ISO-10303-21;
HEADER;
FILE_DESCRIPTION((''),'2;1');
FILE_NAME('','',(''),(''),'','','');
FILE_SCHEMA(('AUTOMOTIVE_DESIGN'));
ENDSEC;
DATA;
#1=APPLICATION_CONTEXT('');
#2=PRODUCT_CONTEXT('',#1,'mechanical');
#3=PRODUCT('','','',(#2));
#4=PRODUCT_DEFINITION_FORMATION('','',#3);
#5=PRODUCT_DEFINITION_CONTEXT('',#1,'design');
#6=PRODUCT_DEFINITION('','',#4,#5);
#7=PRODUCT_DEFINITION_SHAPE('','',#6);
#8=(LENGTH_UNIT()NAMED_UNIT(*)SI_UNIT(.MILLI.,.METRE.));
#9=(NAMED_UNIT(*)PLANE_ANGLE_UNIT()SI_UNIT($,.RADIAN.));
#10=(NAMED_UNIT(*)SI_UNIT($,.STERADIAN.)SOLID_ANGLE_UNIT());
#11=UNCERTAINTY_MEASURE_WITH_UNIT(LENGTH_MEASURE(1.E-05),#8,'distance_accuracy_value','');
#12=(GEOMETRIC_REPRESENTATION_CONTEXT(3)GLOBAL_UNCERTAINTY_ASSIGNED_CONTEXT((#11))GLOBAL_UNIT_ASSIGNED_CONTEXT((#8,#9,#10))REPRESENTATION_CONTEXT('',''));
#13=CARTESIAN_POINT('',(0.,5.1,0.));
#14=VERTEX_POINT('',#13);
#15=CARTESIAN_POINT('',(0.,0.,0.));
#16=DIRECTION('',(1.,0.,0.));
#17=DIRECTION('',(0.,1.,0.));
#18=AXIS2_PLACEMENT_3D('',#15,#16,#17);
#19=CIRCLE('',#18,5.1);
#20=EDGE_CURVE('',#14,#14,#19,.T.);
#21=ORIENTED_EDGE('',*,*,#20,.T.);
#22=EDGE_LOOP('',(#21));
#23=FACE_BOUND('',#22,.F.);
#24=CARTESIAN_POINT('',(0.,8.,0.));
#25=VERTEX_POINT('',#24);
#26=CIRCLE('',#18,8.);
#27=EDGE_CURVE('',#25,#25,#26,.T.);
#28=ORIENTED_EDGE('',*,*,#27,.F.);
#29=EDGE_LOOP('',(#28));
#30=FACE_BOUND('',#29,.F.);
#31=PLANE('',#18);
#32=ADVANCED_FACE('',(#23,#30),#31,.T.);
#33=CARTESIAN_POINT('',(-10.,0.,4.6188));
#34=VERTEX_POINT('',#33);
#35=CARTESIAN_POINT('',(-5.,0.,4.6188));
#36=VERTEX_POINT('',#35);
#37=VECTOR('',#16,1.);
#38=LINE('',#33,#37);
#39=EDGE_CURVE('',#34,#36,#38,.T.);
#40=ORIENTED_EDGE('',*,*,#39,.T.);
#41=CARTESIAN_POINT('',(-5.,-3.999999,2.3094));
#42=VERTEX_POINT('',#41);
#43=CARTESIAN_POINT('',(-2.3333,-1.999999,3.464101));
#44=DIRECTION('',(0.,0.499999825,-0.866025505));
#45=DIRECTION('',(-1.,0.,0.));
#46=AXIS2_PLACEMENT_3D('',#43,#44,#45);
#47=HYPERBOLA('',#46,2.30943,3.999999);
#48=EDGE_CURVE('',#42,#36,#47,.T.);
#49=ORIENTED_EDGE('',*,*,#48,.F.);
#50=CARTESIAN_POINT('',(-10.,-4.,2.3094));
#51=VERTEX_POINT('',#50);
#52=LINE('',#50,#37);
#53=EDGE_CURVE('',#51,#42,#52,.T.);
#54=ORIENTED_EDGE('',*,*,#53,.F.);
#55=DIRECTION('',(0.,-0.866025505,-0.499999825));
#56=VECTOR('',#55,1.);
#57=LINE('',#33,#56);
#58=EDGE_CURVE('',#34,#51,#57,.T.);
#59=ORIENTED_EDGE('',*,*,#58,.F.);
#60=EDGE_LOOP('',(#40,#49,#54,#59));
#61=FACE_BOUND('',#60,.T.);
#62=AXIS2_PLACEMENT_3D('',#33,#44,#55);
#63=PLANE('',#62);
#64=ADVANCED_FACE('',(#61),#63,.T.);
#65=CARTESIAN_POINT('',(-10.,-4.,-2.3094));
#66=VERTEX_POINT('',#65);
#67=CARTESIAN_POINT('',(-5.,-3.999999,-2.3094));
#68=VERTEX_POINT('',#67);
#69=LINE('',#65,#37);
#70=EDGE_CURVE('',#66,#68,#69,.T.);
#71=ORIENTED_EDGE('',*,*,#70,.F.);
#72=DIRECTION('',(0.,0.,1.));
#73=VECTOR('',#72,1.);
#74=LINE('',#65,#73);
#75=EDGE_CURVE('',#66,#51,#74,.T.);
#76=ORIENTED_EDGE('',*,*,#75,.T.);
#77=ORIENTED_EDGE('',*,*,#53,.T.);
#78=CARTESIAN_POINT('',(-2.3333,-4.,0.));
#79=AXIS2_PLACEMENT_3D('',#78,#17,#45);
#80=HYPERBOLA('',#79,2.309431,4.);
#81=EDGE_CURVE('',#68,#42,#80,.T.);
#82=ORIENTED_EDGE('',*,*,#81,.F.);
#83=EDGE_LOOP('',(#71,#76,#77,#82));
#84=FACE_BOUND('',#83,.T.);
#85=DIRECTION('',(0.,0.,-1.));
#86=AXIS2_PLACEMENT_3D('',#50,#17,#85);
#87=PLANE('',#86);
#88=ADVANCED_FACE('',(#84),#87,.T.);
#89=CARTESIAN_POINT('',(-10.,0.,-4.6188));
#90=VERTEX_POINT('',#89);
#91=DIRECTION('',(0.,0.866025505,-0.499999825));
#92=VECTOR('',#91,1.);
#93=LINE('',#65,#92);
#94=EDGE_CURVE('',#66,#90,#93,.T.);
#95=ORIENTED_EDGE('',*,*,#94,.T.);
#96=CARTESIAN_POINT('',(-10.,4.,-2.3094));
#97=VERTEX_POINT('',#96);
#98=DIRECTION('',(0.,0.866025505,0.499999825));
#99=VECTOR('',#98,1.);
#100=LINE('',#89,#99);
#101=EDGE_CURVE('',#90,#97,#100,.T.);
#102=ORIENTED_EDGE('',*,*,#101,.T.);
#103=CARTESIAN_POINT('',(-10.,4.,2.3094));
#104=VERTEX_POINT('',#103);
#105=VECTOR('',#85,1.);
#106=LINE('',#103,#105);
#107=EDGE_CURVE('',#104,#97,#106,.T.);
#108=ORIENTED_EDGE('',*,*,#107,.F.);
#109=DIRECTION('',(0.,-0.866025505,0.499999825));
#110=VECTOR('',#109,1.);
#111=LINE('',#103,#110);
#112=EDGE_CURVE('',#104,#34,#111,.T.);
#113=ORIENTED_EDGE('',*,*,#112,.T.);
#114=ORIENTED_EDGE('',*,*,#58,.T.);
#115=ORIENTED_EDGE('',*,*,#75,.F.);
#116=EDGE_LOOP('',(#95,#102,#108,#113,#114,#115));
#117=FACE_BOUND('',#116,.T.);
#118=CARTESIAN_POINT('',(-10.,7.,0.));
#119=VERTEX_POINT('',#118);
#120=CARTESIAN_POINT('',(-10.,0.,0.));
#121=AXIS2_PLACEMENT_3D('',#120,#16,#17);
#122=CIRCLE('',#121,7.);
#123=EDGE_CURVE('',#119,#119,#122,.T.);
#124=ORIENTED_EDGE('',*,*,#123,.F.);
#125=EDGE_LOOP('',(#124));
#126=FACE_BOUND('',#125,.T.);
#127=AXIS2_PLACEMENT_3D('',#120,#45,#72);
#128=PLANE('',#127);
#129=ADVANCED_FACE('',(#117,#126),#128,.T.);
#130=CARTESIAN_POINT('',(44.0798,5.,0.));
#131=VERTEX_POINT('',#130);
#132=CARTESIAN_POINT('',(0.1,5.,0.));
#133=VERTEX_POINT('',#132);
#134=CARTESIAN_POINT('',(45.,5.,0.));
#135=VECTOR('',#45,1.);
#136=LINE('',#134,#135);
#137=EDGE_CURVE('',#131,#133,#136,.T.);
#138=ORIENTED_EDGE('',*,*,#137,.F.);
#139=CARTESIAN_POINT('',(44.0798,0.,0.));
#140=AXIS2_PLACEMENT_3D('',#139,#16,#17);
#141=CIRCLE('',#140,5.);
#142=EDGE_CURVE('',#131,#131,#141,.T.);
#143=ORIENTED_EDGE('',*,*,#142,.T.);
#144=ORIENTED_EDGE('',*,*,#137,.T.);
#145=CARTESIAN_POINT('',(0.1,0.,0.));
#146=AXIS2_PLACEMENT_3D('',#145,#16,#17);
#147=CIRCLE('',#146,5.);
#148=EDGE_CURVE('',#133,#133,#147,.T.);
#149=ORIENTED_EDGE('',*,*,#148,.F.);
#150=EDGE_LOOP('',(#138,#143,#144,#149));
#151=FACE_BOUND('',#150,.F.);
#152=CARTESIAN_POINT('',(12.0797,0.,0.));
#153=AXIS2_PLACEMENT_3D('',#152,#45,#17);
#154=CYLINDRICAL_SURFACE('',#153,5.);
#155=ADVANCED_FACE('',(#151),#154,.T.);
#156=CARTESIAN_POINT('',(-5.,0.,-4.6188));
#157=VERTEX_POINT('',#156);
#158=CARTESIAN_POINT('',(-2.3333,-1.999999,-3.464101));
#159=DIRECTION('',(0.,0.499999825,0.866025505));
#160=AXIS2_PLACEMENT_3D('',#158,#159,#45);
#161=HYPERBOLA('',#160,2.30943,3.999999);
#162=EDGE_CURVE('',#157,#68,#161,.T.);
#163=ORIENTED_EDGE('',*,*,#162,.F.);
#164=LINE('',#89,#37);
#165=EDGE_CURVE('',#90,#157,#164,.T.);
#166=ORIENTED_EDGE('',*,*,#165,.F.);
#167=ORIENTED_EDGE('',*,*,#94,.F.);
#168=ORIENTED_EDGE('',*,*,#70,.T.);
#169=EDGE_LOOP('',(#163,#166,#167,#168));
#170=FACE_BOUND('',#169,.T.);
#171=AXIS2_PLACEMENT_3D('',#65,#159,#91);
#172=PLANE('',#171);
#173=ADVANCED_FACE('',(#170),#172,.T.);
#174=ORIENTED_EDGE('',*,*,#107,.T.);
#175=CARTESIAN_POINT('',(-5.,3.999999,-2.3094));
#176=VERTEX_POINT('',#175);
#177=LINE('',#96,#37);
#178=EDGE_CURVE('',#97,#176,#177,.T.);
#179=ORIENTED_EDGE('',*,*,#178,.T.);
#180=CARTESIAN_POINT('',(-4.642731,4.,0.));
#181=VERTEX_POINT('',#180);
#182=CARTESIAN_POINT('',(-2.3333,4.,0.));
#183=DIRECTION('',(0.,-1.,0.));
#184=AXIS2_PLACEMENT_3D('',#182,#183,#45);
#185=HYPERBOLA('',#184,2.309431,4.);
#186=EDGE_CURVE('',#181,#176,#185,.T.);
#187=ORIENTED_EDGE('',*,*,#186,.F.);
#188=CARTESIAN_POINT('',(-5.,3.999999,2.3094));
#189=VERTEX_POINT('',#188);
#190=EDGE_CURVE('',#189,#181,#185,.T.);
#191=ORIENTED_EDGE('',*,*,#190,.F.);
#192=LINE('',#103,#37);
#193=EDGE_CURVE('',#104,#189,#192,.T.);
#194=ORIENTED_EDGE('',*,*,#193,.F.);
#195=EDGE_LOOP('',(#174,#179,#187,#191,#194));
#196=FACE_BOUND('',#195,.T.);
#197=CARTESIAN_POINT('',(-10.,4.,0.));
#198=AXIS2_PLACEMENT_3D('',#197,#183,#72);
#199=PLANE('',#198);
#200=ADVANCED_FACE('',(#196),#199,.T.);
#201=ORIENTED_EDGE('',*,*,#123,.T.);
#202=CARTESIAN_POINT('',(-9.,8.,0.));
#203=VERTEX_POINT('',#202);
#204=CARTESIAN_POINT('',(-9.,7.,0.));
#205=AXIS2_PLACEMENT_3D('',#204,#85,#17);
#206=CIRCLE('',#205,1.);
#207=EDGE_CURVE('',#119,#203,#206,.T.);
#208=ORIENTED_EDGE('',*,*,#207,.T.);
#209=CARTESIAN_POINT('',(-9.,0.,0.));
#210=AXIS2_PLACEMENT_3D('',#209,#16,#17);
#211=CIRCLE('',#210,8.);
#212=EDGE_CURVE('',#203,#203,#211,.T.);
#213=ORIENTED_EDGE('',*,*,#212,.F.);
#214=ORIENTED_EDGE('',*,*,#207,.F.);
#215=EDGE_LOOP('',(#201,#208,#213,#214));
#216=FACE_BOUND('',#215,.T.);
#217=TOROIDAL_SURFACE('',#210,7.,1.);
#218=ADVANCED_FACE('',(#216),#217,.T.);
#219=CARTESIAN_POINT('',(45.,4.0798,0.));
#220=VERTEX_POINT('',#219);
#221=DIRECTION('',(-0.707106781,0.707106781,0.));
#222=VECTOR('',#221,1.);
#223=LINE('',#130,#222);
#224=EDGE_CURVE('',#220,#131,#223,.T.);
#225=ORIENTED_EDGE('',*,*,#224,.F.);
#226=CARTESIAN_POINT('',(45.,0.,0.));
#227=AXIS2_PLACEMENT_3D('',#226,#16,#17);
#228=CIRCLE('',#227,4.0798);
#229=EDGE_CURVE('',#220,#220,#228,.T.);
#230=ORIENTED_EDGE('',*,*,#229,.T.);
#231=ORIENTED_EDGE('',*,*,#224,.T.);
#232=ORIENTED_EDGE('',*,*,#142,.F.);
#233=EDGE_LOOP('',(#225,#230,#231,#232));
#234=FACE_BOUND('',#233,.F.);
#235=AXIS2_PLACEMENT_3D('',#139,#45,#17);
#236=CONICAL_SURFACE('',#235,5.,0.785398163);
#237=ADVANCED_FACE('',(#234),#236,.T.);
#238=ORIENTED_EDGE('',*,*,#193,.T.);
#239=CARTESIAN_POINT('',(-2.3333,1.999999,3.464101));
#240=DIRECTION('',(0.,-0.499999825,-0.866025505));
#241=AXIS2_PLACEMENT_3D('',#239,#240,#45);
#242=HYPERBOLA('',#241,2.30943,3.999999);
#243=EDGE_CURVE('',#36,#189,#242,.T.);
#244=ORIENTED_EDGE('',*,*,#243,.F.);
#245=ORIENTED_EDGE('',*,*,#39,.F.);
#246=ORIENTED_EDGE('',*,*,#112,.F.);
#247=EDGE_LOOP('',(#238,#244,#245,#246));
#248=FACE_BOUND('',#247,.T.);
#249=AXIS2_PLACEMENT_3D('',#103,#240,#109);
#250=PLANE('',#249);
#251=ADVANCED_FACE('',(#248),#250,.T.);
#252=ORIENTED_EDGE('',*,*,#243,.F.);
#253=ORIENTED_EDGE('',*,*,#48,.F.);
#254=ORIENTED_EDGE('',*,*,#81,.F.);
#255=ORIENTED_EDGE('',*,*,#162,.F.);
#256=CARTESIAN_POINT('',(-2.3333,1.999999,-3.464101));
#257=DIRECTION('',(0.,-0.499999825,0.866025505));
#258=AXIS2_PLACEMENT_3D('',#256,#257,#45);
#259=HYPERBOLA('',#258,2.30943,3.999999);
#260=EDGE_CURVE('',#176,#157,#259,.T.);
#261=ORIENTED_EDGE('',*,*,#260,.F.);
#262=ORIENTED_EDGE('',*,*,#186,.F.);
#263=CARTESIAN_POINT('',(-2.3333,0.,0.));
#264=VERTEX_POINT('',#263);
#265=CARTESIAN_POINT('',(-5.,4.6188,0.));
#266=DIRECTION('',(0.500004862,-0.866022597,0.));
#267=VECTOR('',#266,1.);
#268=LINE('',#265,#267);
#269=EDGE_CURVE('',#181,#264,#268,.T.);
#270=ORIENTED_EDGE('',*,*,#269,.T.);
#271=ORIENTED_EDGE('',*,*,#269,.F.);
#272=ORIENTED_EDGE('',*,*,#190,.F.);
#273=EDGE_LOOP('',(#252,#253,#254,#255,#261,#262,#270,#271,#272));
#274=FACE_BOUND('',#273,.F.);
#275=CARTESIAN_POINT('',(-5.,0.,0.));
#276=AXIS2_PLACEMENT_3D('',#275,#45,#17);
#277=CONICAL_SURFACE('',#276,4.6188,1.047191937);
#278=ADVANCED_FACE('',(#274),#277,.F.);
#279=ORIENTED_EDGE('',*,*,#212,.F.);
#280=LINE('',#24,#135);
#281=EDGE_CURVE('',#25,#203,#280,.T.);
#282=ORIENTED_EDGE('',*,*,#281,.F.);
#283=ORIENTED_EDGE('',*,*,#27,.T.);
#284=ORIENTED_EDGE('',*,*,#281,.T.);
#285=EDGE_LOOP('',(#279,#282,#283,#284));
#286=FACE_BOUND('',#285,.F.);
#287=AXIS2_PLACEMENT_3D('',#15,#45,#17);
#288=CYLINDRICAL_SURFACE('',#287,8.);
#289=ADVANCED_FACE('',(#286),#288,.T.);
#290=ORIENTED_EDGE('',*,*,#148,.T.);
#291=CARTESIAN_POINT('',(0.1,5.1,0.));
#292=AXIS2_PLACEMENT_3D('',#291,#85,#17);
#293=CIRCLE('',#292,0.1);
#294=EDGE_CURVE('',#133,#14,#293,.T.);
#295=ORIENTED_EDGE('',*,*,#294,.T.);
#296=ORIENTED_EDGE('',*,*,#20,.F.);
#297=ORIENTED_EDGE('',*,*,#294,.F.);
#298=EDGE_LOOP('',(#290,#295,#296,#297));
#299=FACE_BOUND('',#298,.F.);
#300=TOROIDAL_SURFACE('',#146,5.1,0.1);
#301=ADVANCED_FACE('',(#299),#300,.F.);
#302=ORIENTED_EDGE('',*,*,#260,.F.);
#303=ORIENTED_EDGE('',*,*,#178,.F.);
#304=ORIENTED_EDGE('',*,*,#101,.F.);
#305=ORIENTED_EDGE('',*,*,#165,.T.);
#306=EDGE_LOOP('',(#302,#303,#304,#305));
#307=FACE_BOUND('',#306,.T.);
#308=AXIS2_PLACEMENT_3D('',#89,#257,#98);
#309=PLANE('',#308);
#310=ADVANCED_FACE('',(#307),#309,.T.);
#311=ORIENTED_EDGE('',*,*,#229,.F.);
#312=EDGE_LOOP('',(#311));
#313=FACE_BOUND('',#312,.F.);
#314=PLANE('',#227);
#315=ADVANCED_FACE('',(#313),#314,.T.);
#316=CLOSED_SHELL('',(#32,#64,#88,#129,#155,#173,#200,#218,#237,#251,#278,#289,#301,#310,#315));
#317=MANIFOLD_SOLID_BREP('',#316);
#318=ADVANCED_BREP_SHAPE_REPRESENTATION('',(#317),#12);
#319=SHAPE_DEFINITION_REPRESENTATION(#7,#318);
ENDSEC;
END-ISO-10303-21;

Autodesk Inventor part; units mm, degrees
ref_plane "YZ Plane" through (0, 0, 0) normal (1, 0, 0) x (0, 1, 0)
ref_plane "XZ Plane" through (0, 0, 0) normal (0, 1, 0) x (-1, 0, 0)
sketch "Sketch1" plane through (0, 0, 0) normal (0, 0, 1) x (1, 0, 0)
  line L0 (-2.3333, 0) -> (45, 0)
  line L1 (45, 0) -> (45, 5)
  line L2 (45, 5) -> (13, 5)
  line L3 (13, 5) -> (12.0797, 5)
  line L4 (12.0797, 5) -> (0, 5)
  line L5 (0, 5) -> (0, 8)
  line L6 (0, 8) -> (-10, 8)
  line L7 (-10, 8) -> (-10, 4.6188)
  line L8 (-10, 4.6188) -> (-5, 4.6188)
  line L9 (-5, 4.6188) -> (-2.3333, 0)
  line L10 (-21, 0) -> (56, 0) projected
  line L11 (0, -1.6) -> (0, 9.6) projected
  line L12 (13, 5) -> (0, 5) construction
  dimension "d1" = 32
  dimension "d2" = 0.9203
  dimension "d3" = 10
  dimension "d4" = 5
  dimension "d5" = 60
  dimension "d6" = 10
  dimension "d7" = 10
  dimension "d8" = 9.2376
  dimension "d9" = 16
  dimension "d26" = 45
revolve "Body" add sketch "Sketch1" angle 360 about axis through (-2.3333, 0, 0) along (1, 0, 0)
sketch "Sketch2" plane through (-10, 0, 0) normal (-1, 0, 0) x (0, 0, 1)
  circle A0 centre (0, 0) radius 4.6188 projected
  line L0 (0, -11.2) -> (0, 11.2) projected
  line L1 (-11.2, 0) -> (11.2, 0) projected
  line L2 (4.6188, 0) -> (2.3094, -4)
  line L3 (2.3094, -4) -> (-2.3094, -4)
  line L4 (-2.3094, -4) -> (-4.6188, 0)
  line L5 (-4.6188, 0) -> (-2.3094, 4)
  line L6 (-2.3094, 4) -> (2.3094, 4)
  line L7 (2.3094, 4) -> (4.6188, 0)
extrude "Slot" add sketch "Sketch2" against normal up to next contours L7 A0 | A0 L2 | L6 L0 A0 | A0 L0 L3 | L0 L6 A0 | A0 L3 L0 | L4 A0 | A0 L5
fillet "Fillet1" radius 1 1 edges at (-10, -8, 0)
thread "Thread" size "M10x1.5" class "6g" standard "ISO Metric profile" length 32
chamfer "Chamfer1" distance 0.9202 distance2 0.9202 1 edges at (45, -5, 0) measured on face at (45, -1.105, 0.7295)
ref_plane "Work Plane1" through (29, 0, 0) normal (0, -1, 0) x (1, 0, 0)
fillet "Fillet2" radius 0.1 1 edges at (0, -5, 0)
equation "\"d1\" = GEL"
equation "\"d3\" = KOH"
equation "\"d4\" = INTI"
equation "\"d6\" = GD"
equation "\"d7\" = BDM"
equation "\"d8\" = 1.1547 * SW"
equation "\"d9\" = KOD"
equation "\"d26\" = NLG"
equation "\"d30\" = R"
equation "\"d17\" = RR"
equation "\"d13\" = GEL"
equation "\"d15\" = -0.5 * SPD + 0.5 * GD"
equation "\"d16\" = GUL"
equation "\"GD\" = NND"
equation "\"NLG\" = 45"
equation "\"GEL\" = 32"
equation "\"KOD\" = 16"
equation "\"KOH\" = NND"
equation "\"INTI\" = 5"
equation "\"GAL\" = 0.61345 * PTC"
equation "\"GUL\" = 0.61345 * PTC"
equation "\"BDM\" = NND"
equation "\"SW\" = 8"
equation "\"RR\" = 0.1 * NND"
equation "\"SPD\" = NND - 1.2269 * PTC"
equation "\"R\" = 0.1"
equation "\"TOA\" = 30deg"
equation "\"GD1\" = THREADDIA - 1.2269 * PTC"
equation "\"FAWI\" = 45deg"
equation "\"PTC\" = 1.5"
equation "\"E0\" = 1.155 * SW"
equation "\"NND\" = 10"
equation "\"THREADDIA\" = 10"
properties part number "M10x35 SHCS A2" material "Stainless Steel AISI 304"
